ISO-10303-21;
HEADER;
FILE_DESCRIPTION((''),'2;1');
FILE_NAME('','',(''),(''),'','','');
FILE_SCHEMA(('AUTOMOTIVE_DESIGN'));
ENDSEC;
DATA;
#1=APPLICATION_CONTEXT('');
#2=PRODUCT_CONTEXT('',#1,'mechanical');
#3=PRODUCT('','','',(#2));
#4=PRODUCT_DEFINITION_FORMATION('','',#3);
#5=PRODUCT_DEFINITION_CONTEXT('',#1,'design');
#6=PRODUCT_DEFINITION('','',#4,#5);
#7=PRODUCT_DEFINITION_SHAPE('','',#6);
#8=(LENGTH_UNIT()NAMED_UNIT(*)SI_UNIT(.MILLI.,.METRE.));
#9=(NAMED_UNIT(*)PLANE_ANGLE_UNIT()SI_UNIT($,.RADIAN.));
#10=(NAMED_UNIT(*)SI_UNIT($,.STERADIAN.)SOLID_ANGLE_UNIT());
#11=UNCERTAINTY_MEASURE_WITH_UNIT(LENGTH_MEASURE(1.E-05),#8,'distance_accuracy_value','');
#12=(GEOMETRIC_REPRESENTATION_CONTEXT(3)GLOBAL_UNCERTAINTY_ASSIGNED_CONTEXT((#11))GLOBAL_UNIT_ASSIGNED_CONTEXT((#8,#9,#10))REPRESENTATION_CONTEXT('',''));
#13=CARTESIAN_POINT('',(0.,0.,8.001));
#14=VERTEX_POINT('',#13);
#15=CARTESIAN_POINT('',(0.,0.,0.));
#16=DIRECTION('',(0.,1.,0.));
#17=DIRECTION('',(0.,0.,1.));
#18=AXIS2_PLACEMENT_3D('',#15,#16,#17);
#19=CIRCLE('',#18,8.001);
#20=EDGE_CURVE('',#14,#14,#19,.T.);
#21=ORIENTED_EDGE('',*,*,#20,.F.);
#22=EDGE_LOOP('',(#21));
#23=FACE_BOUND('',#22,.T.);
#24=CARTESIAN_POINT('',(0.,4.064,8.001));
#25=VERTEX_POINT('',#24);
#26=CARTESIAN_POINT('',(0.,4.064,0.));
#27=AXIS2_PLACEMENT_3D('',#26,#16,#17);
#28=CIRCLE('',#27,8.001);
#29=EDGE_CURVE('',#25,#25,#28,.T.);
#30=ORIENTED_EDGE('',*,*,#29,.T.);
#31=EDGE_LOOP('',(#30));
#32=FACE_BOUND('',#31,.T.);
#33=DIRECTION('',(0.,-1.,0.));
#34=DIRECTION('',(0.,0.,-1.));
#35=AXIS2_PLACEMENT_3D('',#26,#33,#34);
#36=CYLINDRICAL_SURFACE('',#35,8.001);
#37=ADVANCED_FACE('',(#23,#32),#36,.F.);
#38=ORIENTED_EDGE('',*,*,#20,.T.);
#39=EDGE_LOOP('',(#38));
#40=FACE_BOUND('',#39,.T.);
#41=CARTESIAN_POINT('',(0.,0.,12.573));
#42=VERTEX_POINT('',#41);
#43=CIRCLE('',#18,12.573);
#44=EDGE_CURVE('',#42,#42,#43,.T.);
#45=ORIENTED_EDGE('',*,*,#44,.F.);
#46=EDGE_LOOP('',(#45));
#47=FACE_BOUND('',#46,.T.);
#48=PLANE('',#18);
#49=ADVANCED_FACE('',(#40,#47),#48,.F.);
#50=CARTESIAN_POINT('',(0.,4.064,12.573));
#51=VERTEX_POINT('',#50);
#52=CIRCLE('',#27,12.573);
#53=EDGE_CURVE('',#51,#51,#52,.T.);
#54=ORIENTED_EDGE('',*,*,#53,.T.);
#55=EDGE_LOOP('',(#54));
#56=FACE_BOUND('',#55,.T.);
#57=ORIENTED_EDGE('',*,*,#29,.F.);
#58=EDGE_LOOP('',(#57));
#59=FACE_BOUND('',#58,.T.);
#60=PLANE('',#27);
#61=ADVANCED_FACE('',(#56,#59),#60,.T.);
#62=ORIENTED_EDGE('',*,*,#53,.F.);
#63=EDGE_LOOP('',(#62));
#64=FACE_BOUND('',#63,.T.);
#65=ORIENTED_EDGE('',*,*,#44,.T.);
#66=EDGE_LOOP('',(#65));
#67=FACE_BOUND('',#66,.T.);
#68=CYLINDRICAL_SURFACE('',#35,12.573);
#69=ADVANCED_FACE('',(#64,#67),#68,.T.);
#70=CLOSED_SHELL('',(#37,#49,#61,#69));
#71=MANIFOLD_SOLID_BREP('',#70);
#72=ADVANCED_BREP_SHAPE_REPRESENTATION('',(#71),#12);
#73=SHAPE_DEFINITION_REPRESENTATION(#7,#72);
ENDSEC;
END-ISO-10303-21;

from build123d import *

# Parameters (mm, degrees)
SKETCH1_R           = 12.573
SKETCH1_R_2         = 8.001
BOSS_EXTRUDE1_DEPTH = 4.064


with BuildPart() as part:
    # Sketch1 → Boss-Extrude1 (new body)
    with BuildSketch(Plane(origin=(0, 0, 0), x_dir=(1, 0, 0), z_dir=(0, 1, 0))):
        with Locations(Location((0, 0, 0), (0, 0, 270))):  # turned: the seam where the file's is
            Circle(SKETCH1_R)
        with Locations(Location((0, 0, 0), (0, 0, 270))):  # turned: the seam where the file's is
            Circle(SKETCH1_R_2, mode=Mode.SUBTRACT)
    extrude(amount=BOSS_EXTRUDE1_DEPTH)


solid = part.part
